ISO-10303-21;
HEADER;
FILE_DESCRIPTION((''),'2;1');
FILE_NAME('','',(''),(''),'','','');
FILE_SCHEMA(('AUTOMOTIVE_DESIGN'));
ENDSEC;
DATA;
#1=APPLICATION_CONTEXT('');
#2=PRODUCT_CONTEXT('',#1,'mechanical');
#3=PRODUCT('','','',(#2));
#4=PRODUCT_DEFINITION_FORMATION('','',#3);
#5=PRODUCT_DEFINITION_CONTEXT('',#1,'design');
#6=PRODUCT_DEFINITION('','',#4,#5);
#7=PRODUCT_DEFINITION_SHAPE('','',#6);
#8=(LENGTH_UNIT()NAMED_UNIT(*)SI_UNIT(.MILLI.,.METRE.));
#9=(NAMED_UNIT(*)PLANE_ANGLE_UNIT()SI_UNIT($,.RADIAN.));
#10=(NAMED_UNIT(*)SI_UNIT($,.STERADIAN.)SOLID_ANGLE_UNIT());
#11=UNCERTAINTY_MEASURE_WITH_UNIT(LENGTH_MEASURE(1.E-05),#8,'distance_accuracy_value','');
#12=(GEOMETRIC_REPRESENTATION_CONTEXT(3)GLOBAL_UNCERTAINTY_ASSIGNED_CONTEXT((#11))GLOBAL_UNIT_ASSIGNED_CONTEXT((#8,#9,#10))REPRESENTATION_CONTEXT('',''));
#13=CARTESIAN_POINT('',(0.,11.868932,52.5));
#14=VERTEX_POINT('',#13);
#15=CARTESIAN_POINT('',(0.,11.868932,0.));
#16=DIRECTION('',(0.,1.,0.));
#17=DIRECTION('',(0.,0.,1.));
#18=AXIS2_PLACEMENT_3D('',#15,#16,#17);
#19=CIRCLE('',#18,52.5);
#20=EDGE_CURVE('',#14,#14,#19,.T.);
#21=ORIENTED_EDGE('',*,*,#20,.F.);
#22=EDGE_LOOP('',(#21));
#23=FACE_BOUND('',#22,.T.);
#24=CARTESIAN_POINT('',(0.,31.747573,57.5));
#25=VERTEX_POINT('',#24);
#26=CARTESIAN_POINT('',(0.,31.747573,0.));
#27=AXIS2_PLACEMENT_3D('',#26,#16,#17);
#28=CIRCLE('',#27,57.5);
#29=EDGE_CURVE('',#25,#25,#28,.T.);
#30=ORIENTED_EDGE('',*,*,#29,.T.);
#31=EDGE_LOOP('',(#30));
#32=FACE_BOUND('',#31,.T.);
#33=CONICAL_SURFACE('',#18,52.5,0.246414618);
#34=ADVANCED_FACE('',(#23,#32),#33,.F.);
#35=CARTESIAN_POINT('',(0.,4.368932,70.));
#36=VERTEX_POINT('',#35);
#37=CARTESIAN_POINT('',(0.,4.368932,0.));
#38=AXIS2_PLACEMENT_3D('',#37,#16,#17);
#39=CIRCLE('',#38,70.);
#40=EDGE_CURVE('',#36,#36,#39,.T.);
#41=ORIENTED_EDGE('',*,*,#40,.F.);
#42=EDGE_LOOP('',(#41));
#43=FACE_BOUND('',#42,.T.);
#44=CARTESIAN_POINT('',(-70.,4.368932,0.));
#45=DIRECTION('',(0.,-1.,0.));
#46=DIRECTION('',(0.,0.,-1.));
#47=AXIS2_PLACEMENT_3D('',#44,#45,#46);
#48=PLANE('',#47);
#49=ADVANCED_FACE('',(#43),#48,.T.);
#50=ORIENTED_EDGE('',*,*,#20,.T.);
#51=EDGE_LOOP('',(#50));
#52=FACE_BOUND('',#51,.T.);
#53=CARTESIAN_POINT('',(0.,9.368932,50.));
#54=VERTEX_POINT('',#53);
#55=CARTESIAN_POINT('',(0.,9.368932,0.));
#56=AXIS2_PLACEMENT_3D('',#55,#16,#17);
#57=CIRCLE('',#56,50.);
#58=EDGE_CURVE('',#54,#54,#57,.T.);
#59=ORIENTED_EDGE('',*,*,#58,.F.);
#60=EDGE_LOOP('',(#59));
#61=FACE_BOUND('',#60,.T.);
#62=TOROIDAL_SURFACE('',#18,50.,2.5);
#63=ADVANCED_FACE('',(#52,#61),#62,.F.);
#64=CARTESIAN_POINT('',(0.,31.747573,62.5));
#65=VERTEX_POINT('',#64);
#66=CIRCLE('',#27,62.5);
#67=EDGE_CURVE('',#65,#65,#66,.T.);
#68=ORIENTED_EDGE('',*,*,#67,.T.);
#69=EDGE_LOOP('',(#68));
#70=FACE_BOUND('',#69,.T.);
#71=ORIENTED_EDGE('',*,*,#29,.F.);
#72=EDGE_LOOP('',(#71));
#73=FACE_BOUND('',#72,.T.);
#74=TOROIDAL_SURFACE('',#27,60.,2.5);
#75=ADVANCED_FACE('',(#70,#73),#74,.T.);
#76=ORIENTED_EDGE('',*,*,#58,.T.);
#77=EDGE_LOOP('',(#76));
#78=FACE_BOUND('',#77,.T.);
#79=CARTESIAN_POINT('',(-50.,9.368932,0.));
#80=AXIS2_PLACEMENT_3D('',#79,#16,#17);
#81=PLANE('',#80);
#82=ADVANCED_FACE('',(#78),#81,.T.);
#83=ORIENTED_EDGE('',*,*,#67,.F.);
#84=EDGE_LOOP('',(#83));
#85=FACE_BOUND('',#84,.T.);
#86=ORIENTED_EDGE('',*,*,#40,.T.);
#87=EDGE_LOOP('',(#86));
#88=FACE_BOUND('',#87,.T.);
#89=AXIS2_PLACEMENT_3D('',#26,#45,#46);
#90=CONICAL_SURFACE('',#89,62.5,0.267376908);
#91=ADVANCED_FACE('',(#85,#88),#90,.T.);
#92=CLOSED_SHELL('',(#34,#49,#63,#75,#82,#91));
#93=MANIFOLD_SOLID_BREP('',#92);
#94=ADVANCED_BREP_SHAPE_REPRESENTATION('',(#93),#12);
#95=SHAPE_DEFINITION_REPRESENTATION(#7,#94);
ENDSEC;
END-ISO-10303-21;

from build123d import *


with BuildPart() as part:
    # Sketch1 → Revolve1 (revolve)
    with BuildSketch(Plane.XY):
        with BuildLine():
            Line((-70, 4.368932039), (0, 4.368932039))
            Line((0, 4.368932039), (0, 9.368932039))
            Line((0, 9.368932039), (-50, 9.368932039))
            ThreePointArc((-50, 9.368932039), (-51.767766953, 10.101165086), (-52.5, 11.868932039))
            Line((-52.5, 11.868932039), (-57.5, 31.747572816))
            ThreePointArc((-57.5, 31.747572816), (-60, 34.247572816), (-62.5, 31.747572816))
            Line((-62.5, 31.747572816), (-70, 4.368932039))
        make_face()
    revolve(axis=Axis((0, 41.844660194, 0), (0, -1, 0)))


solid = part.part
